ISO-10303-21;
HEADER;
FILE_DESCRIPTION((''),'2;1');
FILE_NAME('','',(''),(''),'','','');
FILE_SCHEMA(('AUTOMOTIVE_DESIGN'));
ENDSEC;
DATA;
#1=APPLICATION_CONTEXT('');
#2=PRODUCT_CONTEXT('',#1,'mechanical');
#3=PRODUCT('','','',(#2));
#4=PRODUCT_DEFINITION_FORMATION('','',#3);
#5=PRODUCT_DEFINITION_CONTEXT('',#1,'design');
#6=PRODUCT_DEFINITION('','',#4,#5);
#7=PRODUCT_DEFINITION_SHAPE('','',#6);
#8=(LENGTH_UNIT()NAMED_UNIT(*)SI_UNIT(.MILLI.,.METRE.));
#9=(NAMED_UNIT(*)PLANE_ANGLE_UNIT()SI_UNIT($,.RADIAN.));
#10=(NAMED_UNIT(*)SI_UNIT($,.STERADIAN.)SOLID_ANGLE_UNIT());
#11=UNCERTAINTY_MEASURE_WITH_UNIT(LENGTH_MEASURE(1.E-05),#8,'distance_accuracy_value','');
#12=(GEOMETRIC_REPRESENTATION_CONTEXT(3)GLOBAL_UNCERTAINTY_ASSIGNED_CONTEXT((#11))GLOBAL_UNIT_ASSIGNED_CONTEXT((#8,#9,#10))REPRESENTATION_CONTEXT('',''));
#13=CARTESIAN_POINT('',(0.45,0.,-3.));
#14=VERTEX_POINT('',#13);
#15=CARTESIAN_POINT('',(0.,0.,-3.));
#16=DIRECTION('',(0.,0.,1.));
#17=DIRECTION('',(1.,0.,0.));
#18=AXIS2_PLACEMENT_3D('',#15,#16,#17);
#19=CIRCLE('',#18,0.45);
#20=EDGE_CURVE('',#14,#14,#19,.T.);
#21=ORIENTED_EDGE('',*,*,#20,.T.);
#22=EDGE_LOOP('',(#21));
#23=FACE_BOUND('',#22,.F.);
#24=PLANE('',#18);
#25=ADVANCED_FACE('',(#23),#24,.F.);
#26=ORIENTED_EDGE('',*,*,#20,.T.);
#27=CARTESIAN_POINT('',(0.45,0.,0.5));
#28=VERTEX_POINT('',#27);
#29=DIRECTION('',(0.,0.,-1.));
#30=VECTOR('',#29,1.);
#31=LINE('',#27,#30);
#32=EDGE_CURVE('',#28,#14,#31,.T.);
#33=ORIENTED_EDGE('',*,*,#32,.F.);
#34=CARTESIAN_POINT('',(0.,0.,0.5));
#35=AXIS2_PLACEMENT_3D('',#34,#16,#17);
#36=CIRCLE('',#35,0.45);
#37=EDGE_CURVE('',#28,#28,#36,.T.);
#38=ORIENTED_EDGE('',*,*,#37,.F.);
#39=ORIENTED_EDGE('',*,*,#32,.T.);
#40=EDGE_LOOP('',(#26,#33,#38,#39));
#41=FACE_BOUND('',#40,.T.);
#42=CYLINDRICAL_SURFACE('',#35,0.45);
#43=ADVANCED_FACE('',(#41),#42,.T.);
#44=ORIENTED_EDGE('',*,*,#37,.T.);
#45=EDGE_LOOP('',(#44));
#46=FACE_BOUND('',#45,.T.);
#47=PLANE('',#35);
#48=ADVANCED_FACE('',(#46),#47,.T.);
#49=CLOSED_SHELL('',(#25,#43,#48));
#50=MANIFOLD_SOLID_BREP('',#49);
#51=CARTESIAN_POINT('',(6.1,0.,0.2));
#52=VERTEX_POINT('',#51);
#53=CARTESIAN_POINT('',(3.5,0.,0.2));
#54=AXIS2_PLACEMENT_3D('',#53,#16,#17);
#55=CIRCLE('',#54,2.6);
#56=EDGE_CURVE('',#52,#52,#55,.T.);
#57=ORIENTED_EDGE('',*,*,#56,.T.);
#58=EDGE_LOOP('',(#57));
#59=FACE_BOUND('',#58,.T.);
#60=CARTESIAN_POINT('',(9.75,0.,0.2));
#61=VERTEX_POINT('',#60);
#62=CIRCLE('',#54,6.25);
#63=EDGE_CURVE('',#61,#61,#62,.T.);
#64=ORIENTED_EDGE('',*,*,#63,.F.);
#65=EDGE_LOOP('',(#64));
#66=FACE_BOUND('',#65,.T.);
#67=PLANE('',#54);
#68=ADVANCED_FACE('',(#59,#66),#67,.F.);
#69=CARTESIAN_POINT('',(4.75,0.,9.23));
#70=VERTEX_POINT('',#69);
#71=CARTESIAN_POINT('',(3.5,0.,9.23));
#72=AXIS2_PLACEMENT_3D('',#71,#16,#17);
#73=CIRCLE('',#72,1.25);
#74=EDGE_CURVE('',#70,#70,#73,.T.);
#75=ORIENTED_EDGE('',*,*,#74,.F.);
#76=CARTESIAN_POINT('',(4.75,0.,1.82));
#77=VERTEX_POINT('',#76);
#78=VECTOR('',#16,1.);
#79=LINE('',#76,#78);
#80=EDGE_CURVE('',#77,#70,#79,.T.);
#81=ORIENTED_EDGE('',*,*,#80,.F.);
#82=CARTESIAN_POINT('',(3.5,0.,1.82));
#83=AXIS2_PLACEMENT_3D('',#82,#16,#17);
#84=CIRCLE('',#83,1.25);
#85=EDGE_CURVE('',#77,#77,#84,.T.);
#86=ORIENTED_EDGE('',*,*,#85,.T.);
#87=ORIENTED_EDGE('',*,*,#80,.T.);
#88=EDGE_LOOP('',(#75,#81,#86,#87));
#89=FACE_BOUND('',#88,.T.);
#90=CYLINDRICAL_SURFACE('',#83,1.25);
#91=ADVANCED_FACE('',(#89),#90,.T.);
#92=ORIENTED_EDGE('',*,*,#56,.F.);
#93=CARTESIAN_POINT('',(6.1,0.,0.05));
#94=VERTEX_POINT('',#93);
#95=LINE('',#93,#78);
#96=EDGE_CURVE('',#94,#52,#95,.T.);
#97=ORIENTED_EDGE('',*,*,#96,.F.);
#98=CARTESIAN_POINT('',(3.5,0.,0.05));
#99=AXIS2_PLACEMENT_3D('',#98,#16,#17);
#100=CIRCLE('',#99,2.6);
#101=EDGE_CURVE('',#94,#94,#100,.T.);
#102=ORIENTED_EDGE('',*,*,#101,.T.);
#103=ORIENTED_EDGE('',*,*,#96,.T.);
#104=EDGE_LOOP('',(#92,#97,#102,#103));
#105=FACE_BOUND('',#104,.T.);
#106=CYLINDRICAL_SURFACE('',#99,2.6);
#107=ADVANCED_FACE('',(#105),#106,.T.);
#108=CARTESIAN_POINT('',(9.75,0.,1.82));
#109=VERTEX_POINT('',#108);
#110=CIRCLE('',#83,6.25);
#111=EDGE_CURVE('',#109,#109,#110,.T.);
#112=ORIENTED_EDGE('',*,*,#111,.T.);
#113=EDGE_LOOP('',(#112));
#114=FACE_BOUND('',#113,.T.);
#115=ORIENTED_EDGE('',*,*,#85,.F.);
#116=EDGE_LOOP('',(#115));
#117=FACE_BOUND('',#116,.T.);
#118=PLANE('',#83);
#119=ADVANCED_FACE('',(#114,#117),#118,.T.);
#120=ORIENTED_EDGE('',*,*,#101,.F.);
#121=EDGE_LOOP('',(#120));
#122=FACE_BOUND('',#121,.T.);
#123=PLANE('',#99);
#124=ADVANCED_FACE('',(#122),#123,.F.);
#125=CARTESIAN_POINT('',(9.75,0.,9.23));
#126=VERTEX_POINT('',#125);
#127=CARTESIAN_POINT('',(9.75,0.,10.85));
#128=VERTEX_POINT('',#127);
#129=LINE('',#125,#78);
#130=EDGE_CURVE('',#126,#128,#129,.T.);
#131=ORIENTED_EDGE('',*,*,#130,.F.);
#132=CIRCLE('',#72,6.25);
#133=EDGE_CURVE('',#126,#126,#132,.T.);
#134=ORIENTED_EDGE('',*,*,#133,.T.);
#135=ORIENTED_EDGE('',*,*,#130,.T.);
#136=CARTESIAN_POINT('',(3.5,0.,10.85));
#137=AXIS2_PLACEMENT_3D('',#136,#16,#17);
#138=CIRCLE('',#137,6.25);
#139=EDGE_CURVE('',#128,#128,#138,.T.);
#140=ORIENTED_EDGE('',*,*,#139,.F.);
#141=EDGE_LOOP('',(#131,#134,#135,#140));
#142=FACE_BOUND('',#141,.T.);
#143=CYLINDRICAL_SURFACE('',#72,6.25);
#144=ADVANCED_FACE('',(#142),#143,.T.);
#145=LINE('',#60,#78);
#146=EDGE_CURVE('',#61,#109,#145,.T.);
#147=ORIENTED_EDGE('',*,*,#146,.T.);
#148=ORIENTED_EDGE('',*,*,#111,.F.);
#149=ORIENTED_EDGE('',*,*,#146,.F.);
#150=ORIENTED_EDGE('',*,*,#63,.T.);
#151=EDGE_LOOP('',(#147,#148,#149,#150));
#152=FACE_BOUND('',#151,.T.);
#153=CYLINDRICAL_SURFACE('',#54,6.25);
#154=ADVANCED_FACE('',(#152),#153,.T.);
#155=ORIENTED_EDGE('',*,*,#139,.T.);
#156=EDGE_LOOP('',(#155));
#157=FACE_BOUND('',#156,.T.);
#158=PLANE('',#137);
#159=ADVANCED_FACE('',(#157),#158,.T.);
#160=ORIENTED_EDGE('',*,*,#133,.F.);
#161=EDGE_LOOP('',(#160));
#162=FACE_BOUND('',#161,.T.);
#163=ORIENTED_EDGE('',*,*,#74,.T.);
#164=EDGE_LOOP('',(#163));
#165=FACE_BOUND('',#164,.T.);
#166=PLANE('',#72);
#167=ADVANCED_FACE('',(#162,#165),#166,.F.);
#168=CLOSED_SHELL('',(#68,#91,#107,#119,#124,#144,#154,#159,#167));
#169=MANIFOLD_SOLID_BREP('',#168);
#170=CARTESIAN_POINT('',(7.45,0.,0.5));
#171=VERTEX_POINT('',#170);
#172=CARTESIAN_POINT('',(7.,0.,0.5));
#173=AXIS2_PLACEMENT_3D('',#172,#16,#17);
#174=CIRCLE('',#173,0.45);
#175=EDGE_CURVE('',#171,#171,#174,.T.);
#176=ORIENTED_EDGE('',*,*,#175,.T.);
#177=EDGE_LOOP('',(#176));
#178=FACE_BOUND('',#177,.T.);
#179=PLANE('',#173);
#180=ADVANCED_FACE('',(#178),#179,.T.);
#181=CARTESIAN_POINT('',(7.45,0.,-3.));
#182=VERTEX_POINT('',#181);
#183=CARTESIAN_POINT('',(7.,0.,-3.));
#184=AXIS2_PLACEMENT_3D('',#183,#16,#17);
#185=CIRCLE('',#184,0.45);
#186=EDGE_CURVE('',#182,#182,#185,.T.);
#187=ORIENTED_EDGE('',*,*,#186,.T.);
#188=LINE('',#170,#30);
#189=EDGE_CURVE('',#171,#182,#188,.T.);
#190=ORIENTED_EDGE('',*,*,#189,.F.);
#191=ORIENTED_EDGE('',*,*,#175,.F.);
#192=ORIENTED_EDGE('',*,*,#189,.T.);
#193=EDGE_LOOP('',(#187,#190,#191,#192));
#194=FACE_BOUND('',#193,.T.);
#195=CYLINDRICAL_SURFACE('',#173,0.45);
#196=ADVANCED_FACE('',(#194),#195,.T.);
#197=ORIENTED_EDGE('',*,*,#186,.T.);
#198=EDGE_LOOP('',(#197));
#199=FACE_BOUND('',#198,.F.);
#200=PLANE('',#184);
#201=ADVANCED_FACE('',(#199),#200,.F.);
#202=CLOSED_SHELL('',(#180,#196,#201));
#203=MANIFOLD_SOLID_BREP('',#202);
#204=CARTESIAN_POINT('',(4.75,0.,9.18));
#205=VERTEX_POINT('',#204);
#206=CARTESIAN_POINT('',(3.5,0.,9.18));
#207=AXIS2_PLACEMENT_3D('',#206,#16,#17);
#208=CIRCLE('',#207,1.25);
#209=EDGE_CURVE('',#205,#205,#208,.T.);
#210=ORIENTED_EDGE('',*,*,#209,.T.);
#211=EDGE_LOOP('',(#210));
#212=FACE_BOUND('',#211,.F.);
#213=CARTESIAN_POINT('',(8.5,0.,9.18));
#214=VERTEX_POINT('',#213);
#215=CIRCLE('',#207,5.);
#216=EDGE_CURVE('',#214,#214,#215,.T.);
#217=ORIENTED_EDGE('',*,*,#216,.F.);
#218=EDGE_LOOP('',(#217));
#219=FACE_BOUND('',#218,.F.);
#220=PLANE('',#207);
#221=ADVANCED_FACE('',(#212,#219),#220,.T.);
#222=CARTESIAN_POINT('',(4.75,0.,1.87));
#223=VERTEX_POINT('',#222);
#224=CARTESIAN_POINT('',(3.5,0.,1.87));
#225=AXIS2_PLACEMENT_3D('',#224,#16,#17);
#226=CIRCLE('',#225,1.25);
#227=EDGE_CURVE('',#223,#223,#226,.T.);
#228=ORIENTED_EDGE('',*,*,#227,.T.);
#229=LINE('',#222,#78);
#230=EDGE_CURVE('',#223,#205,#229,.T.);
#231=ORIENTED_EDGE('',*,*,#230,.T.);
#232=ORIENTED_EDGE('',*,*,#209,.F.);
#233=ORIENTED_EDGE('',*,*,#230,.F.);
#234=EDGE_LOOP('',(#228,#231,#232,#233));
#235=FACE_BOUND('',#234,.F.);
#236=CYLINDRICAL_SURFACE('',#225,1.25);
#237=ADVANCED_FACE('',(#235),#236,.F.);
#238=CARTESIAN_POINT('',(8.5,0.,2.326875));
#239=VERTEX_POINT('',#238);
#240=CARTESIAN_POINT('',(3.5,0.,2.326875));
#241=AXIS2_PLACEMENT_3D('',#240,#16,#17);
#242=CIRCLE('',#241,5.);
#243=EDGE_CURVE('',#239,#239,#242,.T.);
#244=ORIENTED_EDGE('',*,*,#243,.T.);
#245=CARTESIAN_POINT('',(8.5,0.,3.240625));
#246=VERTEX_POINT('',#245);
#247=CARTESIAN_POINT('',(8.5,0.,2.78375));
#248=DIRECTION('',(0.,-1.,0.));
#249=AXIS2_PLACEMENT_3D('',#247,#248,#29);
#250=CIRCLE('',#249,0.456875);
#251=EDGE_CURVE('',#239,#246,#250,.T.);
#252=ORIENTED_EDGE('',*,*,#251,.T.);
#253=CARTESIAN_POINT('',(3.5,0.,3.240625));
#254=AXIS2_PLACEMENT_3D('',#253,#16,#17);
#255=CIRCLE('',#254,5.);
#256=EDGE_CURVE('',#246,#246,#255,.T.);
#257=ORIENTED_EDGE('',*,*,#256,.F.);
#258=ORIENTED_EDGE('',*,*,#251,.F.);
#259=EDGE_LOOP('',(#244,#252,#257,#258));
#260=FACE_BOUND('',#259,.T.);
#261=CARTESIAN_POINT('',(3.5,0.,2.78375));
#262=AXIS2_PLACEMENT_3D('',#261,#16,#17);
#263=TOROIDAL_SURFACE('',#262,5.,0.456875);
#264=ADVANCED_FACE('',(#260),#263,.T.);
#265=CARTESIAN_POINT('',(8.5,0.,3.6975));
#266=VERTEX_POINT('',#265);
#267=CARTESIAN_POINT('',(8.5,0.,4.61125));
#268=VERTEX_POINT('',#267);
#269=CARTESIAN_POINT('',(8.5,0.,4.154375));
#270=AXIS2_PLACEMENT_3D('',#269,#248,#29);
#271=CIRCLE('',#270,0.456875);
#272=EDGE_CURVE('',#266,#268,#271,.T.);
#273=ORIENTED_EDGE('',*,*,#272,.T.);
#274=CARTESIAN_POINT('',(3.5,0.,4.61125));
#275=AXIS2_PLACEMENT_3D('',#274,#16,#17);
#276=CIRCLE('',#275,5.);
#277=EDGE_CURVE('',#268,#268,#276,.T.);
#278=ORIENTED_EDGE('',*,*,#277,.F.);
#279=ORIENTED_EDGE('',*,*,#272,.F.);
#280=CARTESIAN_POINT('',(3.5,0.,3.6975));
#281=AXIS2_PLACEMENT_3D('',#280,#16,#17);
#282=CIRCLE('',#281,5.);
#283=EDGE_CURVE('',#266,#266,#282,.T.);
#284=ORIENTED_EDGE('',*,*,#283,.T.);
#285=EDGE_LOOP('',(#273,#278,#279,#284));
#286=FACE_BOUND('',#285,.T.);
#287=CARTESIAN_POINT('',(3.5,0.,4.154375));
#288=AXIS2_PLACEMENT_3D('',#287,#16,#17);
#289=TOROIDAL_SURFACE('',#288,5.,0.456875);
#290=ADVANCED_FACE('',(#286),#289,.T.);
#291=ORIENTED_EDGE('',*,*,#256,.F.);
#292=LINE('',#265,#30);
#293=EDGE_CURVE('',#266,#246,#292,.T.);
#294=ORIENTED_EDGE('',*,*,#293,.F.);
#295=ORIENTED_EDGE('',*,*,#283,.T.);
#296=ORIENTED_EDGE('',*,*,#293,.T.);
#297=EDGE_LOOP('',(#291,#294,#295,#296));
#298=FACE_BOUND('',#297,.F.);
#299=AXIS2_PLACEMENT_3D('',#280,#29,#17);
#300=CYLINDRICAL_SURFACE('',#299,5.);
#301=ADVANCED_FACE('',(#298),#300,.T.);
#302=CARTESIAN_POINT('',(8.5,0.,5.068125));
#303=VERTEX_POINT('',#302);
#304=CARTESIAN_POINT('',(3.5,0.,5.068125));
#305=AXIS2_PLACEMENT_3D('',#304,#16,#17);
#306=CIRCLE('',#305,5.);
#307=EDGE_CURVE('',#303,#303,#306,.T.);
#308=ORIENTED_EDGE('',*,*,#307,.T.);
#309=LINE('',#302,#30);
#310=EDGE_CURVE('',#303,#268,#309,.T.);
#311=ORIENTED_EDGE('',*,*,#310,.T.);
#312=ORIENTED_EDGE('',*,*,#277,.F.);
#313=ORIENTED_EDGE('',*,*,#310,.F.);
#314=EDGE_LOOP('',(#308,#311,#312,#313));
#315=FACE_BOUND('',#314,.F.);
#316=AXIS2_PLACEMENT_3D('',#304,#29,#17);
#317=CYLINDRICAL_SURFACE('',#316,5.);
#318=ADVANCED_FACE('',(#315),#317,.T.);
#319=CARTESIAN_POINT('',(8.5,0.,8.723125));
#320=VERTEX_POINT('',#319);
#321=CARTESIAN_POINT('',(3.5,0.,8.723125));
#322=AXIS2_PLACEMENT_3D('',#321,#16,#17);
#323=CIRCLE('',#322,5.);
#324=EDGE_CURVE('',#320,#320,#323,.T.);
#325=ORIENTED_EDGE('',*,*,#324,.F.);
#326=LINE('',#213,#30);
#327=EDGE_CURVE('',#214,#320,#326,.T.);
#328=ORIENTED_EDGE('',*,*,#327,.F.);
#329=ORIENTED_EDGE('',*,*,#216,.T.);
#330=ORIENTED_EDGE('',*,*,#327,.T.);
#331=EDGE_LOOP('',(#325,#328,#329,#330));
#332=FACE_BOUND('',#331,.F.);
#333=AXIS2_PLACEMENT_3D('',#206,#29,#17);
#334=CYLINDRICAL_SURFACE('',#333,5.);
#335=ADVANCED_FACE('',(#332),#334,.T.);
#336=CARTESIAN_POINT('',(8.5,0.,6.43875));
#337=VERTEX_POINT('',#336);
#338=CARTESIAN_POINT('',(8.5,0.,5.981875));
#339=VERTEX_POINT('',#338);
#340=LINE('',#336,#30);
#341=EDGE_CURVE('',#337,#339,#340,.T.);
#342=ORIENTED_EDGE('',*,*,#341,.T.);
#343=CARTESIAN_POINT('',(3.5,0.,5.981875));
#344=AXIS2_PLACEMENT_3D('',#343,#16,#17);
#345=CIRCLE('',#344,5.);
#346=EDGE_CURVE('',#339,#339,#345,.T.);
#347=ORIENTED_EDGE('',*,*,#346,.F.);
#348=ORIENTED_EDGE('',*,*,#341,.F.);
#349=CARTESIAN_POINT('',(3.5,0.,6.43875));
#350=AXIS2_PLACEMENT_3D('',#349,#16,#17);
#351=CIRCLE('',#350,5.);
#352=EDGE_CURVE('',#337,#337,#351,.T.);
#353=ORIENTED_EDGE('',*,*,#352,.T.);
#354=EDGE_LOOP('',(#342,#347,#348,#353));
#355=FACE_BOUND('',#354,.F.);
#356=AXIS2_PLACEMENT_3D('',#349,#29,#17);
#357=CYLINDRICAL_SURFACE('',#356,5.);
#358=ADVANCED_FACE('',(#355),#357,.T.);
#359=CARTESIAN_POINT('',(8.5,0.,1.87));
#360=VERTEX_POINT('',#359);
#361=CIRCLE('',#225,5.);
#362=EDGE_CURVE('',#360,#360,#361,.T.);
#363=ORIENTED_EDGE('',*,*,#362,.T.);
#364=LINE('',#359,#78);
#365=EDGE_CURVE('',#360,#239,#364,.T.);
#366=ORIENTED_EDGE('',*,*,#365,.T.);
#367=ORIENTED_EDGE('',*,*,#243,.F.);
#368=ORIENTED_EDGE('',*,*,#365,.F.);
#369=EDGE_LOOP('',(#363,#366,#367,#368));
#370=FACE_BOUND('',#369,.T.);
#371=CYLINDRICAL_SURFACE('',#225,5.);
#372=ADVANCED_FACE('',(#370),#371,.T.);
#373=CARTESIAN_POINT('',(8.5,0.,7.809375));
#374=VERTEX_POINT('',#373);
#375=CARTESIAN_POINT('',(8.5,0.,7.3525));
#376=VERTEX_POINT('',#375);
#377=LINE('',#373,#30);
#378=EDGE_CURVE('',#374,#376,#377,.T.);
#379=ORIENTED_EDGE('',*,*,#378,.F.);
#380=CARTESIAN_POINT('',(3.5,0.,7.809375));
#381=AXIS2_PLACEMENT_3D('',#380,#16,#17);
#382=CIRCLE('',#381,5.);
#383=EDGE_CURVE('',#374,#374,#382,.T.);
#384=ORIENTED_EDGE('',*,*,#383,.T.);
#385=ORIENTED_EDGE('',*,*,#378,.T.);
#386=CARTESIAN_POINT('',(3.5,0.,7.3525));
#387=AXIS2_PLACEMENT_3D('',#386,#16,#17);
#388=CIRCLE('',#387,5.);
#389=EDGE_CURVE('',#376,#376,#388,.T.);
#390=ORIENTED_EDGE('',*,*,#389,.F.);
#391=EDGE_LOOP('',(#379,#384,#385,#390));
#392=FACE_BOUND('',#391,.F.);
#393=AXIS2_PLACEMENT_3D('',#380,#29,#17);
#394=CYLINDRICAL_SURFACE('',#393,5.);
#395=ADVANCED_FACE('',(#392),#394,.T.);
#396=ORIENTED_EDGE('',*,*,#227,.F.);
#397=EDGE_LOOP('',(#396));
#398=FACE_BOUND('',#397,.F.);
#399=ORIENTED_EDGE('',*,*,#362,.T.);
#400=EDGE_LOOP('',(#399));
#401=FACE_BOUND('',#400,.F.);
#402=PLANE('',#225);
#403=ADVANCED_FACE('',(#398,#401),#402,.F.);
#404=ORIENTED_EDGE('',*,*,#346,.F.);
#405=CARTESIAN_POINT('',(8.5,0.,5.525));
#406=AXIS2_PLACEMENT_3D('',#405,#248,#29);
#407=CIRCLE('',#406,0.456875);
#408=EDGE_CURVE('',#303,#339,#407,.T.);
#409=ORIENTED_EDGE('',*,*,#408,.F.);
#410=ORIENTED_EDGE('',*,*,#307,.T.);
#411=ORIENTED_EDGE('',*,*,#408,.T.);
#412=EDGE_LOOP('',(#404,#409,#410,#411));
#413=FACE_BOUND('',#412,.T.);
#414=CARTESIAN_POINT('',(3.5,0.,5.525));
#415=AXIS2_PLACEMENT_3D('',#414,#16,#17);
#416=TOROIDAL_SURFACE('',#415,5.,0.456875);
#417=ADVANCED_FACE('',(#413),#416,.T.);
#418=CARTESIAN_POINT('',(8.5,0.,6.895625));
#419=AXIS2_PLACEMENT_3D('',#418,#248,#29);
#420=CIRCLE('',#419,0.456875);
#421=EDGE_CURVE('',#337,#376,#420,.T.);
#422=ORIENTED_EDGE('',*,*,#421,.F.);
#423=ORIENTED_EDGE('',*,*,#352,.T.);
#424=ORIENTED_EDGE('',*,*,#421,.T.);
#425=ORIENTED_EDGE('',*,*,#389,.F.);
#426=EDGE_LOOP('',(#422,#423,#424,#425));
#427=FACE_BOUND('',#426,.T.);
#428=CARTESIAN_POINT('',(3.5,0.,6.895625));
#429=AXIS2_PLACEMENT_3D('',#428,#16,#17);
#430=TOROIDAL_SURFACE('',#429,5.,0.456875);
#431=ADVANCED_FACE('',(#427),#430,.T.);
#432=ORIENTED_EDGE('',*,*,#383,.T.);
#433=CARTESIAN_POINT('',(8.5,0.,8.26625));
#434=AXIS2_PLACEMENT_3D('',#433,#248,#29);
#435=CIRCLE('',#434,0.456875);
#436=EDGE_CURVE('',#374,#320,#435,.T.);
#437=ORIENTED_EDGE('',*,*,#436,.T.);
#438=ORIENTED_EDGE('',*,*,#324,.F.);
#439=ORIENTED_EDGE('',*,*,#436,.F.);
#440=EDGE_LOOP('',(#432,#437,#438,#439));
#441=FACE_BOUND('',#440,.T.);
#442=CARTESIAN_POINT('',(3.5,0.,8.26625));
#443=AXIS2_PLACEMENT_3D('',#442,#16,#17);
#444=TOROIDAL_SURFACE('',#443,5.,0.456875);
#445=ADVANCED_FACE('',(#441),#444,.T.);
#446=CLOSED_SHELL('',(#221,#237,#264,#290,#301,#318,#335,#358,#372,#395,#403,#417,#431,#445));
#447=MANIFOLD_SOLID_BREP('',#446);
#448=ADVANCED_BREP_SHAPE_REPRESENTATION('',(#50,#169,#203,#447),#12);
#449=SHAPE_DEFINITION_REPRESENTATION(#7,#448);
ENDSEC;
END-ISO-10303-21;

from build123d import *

# Parameters (mm, degrees)
SKETCH001_R  = 0.45
PAD001_DEPTH = 3.5


with BuildPart() as pad001:
    # Sketch001 → Pad001 (new body)
    with BuildSketch(Plane.XY.offset(0.5)):
        Circle(SKETCH001_R)
        with Locations((7, 0)):
            Circle(SKETCH001_R)
    extrude(amount=-PAD001_DEPTH)


with BuildPart() as revolution:
    # Sketch → Revolution (revolve)
    with BuildSketch(Plane(origin=(3.5, 0, 0), x_dir=(1, 0, 0), z_dir=(0, -1, 0))):
        Polygon((0, 0.05), (2.6, 0.05), (2.6, 0.2), (6.25, 0.2), (6.25, 1.82), (1.25, 1.82), (1.25, 9.23), (6.25, 9.23), (6.25, 10.85), (0, 10.85), align=None)
    revolve(axis=Axis((3.5, 0, 0), (0, 0, 1)))


with BuildPart() as revolution001:
    # Sketch002 → Revolution001 (revolve)
    with BuildSketch(Plane(origin=(3.5, 0, 0), x_dir=(1, 0, 0), z_dir=(0, -1, 0))):
        with BuildLine():
            Line((5, 1.87), (1.25, 1.87))
            Line((1.25, 1.87), (1.25, 9.18))
            Line((1.25, 9.18), (5, 9.18))
            Line((5, 9.18), (5, 8.723125))
            ThreePointArc((5, 7.809375), (5.456875, 8.26625), (5, 8.723125))
            Line((5, 7.809375), (5, 7.3525))
            ThreePointArc((5, 6.43875), (5.456875, 6.895625), (5, 7.3525))
            Line((5, 6.43875), (5, 5.981875))
            ThreePointArc((5, 5.068125), (5.456875, 5.525), (5, 5.981875))
            Line((5, 5.068125), (5, 4.61125))
            ThreePointArc((5, 3.6975), (5.456875, 4.154375), (5, 4.61125))
            Line((5, 3.6975), (5, 3.240625))
            ThreePointArc((5, 2.326875), (5.456875, 2.78375), (5, 3.240625))
            Line((5, 1.87), (5, 2.326875))
        make_face()
    revolve(axis=Axis((3.5, 0, 0), (0, 0, 1)))


solid = Compound([pad001.part, revolution.part, revolution001.part])
